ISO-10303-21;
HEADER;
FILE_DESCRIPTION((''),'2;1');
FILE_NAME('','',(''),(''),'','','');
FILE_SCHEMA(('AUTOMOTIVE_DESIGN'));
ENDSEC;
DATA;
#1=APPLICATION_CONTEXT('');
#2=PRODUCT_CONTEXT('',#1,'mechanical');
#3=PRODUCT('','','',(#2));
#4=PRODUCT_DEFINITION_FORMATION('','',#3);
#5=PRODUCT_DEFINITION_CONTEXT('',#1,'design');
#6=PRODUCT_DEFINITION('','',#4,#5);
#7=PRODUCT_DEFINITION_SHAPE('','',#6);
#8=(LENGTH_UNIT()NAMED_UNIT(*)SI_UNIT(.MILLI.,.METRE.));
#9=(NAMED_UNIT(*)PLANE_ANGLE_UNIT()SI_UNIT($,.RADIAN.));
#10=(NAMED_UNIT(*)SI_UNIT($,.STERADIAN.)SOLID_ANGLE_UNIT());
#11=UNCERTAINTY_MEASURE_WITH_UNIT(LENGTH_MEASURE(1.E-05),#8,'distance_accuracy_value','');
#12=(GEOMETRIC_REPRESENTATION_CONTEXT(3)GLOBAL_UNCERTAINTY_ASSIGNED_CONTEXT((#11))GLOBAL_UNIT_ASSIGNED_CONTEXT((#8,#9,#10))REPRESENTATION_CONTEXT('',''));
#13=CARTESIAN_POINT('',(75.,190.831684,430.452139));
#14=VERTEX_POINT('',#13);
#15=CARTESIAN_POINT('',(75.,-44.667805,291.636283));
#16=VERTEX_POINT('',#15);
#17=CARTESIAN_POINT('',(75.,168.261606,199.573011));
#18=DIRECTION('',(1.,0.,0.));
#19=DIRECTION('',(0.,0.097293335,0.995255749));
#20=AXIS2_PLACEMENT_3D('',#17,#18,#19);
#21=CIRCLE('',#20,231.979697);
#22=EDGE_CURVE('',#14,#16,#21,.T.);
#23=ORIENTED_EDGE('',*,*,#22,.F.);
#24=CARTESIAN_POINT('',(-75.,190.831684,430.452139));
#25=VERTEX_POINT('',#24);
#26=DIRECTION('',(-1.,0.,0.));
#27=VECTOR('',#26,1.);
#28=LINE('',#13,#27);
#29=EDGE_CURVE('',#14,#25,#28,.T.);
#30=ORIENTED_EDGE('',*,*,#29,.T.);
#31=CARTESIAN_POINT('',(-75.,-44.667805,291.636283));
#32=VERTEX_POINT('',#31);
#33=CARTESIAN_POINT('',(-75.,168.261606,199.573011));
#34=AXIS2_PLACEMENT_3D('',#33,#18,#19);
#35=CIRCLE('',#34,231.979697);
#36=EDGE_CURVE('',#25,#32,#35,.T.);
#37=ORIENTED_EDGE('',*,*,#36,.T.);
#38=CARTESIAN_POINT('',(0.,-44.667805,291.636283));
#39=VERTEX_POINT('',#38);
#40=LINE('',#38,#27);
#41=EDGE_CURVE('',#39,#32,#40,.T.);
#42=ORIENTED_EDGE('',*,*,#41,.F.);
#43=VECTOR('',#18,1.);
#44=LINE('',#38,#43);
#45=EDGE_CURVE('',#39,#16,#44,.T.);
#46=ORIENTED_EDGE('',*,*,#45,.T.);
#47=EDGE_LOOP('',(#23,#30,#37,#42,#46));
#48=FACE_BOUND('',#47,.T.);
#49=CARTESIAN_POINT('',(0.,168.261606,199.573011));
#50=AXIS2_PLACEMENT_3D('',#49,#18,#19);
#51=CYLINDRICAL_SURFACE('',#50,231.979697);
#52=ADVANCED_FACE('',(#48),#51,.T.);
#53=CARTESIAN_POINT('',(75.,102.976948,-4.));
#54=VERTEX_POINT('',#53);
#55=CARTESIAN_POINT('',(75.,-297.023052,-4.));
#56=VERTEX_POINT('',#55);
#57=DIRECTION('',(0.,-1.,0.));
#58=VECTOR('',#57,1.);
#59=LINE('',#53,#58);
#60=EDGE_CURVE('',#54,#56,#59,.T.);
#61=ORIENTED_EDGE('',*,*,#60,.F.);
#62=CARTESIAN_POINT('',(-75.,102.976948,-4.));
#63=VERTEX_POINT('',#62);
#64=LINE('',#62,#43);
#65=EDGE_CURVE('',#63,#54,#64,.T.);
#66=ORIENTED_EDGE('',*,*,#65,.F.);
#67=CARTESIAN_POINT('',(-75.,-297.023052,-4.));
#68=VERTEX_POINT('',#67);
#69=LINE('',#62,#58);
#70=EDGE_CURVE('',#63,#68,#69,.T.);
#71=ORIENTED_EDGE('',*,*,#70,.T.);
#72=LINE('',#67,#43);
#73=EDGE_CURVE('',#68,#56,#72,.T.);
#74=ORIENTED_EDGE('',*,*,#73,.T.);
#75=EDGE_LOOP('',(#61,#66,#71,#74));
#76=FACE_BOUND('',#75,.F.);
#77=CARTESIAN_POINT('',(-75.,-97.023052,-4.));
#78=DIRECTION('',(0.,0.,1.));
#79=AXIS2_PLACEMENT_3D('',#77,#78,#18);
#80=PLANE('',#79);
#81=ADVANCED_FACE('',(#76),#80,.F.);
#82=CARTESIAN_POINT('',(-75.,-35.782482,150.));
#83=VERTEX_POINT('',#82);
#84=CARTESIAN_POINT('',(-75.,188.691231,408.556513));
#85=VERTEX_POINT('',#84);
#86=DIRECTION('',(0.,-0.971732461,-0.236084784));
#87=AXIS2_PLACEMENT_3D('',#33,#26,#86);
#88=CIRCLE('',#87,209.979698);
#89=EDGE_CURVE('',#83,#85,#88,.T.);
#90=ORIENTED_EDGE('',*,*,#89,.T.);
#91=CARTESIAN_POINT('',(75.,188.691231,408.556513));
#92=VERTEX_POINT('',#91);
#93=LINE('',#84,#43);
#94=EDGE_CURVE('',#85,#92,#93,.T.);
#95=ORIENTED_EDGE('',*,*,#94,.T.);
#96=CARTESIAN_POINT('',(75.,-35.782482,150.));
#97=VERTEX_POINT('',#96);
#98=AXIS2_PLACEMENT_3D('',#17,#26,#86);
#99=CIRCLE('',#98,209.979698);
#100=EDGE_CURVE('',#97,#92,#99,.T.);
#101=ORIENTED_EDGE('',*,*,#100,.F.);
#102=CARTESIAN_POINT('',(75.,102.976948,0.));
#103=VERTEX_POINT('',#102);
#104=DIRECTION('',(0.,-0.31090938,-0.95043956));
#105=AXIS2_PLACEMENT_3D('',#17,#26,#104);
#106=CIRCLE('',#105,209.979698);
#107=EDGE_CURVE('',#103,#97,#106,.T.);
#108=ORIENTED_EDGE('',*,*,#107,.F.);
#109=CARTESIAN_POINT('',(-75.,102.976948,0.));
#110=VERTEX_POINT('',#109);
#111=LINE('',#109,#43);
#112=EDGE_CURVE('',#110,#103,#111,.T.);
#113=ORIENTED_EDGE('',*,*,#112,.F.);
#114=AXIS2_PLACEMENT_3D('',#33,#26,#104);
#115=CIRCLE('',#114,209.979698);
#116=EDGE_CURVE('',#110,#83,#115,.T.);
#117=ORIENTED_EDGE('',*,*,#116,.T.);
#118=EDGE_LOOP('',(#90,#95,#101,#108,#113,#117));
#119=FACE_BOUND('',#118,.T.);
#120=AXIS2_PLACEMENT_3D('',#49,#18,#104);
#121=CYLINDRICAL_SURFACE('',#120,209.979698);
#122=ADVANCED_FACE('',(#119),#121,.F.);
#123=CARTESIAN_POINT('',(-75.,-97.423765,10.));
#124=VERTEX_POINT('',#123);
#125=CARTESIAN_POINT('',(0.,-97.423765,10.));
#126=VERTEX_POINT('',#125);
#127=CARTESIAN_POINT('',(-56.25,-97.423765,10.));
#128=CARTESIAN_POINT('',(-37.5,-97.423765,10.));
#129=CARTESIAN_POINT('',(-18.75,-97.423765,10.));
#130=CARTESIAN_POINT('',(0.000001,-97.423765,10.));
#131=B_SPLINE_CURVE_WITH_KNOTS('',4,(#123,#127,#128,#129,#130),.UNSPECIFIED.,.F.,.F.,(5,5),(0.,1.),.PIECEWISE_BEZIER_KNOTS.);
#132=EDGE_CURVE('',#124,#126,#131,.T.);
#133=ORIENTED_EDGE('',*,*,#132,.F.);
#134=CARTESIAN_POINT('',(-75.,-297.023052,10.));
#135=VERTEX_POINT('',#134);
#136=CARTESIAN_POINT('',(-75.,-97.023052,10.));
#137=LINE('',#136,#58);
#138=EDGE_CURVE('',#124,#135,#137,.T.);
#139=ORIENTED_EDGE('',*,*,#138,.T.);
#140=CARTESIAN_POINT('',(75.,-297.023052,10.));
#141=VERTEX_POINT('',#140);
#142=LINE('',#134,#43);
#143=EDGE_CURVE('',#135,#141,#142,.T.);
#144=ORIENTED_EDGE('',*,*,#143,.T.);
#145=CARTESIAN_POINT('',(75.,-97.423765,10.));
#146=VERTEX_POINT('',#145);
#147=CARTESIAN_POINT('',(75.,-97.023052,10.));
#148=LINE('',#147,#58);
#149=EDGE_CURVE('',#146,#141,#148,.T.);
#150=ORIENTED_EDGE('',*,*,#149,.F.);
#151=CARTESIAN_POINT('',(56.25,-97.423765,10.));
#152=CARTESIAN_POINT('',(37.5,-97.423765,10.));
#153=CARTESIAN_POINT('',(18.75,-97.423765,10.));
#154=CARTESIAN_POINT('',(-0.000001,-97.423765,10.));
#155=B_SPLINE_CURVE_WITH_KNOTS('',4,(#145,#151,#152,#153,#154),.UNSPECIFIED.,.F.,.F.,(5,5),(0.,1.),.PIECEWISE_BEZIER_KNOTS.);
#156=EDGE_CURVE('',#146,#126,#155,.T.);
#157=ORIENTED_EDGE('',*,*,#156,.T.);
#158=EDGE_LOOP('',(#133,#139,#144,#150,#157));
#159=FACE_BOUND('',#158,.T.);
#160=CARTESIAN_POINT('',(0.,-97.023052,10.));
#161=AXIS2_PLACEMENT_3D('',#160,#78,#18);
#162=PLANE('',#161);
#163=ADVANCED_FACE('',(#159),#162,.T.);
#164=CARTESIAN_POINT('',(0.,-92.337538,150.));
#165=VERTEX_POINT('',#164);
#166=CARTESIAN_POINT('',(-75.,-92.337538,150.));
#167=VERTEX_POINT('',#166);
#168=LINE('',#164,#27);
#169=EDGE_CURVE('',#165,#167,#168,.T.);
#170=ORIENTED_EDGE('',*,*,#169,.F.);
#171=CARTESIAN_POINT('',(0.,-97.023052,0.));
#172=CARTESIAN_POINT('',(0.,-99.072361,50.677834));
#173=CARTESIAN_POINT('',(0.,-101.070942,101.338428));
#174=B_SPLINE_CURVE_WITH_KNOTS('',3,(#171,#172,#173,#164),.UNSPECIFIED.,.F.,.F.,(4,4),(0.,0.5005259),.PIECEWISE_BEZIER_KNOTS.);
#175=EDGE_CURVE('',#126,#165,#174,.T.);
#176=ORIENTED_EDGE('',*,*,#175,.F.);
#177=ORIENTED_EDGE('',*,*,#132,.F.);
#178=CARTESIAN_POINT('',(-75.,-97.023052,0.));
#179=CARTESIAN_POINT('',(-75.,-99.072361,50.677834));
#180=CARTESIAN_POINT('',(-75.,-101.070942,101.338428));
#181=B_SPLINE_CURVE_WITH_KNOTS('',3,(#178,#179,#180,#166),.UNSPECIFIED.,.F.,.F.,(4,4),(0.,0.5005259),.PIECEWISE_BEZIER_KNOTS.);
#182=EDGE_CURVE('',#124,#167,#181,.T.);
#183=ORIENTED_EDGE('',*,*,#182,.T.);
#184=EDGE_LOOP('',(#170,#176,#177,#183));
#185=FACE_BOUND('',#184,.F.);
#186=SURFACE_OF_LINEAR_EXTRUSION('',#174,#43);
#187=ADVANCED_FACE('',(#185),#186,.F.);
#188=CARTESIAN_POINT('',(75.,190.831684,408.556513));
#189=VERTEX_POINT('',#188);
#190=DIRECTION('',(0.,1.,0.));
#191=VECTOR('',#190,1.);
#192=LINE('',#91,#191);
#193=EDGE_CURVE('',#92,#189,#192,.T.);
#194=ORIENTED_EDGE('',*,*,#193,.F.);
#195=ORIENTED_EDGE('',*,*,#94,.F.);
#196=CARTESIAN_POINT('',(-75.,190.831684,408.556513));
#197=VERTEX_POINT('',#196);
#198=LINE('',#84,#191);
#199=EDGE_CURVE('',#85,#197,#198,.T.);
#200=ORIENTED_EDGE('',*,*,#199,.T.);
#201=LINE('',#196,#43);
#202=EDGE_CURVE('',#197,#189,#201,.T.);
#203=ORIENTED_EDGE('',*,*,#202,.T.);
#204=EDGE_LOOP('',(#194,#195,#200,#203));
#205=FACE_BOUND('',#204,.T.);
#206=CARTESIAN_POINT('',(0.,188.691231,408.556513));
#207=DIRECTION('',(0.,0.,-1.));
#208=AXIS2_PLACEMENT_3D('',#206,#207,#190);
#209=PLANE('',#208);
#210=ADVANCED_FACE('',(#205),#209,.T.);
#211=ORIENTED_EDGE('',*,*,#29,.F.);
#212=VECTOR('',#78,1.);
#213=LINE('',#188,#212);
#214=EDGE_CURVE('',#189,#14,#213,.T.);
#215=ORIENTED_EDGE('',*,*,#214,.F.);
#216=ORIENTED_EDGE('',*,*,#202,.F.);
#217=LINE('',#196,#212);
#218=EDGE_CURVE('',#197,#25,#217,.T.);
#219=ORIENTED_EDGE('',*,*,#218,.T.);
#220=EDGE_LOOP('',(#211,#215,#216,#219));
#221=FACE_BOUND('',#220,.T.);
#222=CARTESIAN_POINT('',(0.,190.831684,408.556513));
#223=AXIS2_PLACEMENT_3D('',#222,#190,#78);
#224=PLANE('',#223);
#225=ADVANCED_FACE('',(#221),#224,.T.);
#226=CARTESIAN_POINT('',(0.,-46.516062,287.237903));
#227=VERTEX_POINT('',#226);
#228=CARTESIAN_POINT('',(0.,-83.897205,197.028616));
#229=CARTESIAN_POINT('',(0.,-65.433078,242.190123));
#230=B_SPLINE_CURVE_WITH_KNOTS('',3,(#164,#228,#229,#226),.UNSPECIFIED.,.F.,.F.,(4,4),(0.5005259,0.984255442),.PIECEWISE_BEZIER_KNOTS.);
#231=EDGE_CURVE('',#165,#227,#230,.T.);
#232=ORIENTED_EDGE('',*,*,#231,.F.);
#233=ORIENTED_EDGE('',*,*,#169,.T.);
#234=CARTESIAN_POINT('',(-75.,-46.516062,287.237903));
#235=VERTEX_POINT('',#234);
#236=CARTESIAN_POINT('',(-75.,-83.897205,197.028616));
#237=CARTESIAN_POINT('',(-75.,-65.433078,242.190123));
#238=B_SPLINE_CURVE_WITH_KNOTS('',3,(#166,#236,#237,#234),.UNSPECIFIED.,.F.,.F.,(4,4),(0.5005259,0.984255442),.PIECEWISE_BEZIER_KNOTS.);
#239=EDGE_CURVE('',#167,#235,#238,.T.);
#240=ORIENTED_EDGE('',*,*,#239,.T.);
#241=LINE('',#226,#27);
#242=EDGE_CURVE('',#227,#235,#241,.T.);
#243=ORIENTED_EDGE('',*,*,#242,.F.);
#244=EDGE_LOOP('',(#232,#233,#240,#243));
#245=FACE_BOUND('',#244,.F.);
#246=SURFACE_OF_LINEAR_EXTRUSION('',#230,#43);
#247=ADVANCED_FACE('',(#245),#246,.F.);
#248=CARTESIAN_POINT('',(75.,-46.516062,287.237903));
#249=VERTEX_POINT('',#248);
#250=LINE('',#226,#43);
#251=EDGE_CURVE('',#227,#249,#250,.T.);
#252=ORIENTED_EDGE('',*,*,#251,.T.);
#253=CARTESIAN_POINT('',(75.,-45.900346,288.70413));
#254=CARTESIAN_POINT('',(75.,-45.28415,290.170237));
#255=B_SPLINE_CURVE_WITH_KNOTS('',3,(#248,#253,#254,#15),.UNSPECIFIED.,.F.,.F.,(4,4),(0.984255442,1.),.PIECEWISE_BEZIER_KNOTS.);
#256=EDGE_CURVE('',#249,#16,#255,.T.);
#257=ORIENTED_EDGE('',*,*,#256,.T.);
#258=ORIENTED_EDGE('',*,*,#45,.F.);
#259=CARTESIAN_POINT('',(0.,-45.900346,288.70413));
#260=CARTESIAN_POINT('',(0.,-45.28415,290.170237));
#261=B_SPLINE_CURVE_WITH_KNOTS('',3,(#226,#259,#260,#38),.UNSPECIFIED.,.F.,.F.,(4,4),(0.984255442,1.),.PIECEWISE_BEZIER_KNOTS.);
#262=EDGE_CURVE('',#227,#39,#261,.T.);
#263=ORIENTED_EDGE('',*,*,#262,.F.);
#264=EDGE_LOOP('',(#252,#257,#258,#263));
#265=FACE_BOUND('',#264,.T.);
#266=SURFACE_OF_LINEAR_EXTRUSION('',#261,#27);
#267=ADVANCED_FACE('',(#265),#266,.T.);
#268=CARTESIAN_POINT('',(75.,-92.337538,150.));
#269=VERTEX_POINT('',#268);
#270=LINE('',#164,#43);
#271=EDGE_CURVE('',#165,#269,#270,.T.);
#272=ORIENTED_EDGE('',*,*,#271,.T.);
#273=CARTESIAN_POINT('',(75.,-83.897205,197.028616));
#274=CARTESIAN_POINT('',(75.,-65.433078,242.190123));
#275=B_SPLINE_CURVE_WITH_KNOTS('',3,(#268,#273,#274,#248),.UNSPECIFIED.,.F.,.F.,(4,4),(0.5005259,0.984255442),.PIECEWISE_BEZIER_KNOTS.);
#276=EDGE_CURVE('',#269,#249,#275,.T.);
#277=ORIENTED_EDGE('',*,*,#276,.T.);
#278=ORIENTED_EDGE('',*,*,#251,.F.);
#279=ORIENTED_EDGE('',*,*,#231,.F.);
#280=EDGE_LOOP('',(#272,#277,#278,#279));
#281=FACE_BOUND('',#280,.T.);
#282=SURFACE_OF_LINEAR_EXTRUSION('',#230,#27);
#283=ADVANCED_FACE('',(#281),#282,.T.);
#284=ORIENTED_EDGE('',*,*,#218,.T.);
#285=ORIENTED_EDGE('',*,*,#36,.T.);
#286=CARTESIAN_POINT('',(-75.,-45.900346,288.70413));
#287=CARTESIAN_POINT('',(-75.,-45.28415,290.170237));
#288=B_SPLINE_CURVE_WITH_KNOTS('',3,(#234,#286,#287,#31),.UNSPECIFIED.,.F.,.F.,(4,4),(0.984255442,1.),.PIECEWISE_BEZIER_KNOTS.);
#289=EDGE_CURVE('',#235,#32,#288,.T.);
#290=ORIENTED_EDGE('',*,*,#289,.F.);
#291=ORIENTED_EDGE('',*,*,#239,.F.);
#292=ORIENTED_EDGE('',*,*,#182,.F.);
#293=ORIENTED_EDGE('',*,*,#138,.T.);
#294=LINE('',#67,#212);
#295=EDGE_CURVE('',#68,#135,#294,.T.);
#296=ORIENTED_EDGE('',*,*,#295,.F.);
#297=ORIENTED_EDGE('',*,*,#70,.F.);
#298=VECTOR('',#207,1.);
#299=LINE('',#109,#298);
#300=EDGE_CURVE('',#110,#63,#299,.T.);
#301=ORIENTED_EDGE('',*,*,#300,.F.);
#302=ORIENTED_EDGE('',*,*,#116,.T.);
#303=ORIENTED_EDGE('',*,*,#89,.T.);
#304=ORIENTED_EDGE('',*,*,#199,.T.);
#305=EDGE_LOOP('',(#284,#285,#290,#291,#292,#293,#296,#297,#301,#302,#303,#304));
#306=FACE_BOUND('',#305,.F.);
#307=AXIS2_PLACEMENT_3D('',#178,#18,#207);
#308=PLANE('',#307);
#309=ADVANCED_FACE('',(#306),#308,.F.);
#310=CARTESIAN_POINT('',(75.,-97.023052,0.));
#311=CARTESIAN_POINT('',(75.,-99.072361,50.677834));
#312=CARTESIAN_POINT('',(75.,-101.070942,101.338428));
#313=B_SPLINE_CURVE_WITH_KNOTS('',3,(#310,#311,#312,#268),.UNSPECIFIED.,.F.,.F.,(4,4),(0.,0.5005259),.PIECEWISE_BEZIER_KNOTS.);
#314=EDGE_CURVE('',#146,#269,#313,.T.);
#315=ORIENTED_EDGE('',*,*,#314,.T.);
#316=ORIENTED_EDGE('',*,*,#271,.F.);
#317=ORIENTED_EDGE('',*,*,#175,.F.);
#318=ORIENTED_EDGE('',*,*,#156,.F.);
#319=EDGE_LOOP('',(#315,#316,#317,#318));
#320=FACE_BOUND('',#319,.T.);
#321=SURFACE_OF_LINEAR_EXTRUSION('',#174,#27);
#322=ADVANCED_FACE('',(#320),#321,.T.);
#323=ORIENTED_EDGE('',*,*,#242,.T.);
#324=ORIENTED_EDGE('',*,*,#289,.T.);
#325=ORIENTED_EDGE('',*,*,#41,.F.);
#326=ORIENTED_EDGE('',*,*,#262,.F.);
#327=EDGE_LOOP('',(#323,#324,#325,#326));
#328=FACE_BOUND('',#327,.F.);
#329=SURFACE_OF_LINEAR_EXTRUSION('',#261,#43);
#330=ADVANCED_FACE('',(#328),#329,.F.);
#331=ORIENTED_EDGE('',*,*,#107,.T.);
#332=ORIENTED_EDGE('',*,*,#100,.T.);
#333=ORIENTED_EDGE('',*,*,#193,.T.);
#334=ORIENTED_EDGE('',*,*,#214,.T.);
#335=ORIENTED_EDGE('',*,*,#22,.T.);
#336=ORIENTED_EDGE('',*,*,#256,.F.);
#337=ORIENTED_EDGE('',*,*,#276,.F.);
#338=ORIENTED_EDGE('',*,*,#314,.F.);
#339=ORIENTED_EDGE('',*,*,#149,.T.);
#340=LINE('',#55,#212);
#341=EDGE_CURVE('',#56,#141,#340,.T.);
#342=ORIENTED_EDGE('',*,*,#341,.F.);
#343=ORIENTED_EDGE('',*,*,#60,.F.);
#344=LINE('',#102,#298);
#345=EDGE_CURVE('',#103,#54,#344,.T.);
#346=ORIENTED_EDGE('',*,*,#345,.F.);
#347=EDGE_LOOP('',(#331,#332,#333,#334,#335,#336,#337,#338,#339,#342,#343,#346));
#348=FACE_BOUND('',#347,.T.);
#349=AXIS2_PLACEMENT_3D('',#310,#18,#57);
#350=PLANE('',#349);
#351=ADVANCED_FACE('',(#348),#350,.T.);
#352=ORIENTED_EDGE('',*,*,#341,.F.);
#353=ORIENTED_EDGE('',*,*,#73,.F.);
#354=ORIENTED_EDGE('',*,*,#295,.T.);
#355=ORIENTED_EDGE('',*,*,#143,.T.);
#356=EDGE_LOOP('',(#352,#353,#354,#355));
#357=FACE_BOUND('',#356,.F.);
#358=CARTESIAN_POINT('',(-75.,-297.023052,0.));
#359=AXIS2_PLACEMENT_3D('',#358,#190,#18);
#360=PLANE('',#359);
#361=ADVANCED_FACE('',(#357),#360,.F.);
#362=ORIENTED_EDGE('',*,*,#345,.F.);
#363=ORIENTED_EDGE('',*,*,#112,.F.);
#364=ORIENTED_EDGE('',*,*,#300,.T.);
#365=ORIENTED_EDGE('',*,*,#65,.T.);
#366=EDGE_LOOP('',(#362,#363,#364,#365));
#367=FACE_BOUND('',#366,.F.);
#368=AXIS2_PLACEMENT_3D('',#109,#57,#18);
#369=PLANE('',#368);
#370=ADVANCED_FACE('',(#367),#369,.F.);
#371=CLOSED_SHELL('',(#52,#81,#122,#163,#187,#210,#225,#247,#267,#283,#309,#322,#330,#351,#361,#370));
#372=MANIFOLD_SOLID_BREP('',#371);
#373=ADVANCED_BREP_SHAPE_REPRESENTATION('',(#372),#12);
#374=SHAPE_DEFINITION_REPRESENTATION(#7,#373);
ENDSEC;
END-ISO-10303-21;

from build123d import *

# Parameters (mm, degrees)
F1_DEPTH = 75
F2_DEPTH = 4
F3_DEPTH = 200
F4_DEPTH = 10


with BuildPart() as f1:
    # F0 (on Right) → F1 (new body, symmetric)
    with BuildSketch(Plane.YZ):
        with BuildLine():
            Line((-92.3375381151, 150), (-58.3594357527, 150))
            ThreePointArc((-58.3594357527, 150), (-62.8590677445, 219.5182916975), (-46.5160623858, 287.2379029225))
            add(Edge.make_bspline(
                [(-92.3375381151, 150), (-83.8972050592, 197.0286155209), (-65.4330781641, 242.1901230497), (-46.5160623858, 287.2379029225)],
                knots=[0.5005259003, 0.5005259003, 0.5005259003, 0.5005259003, 0.9842554423, 0.9842554423, 0.9842554423, 0.9842554423], degree=3))
        make_face()
        with BuildLine():
            Line((-97.0230517394, 0), (50.0025975795, 0))
            ThreePointArc((50.0025975795, 0), (-19.782437401, 63.7274456487), (-58.3594357527, 150))
            Line((-58.3594357527, 150), (-92.3375381151, 150))
            add(Edge.make_bspline(
                [(-97.0230517394, 0), (-99.0723612734, 50.6778343669), (-101.0709416697, 101.3384276147), (-92.3375381151, 150)],
                knots=[0, 0, 0, 0, 0.5005259003, 0.5005259003, 0.5005259003, 0.5005259003], degree=3))
        make_face()
        with BuildLine():
            Line((-58.3594357527, 150), (-35.7824824753, 150))
            ThreePointArc((-35.7824824753, 150), (9.701095737, 337.2321487603), (188.6912309552, 408.5565128374))
            Line((188.6912309552, 408.5565128374), (190.8316842979, 408.5565128374))
            Line((190.8316842979, 408.5565128374), (190.8316842979, 430.4521389342))
            ThreePointArc((190.8316842979, 430.4521389342), (50.4625001931, 399.417827924), (-44.6678048686, 291.636283284))
            add(Edge.make_bspline(
                [(-46.5160623858, 287.2379029225), (-45.9003463268, 288.7041300386), (-45.284150482, 290.1702366729), (-44.6678048686, 291.636283284)],
                knots=[0.9842554423, 0.9842554423, 0.9842554423, 0.9842554423, 1, 1, 1, 1], degree=3))
            ThreePointArc((-46.5160623858, 287.2379029225), (-62.8590677445, 219.5182916975), (-58.3594357527, 150))
        make_face()
        with BuildLine():
            Line((50.0025975795, 0), (102.9769482606, 0))
            ThreePointArc((102.9769482606, 0), (14.1204583697, 56.9827590308), (-35.7824824753, 150))
            Line((-35.7824824753, 150), (-58.3594357527, 150))
            ThreePointArc((-58.3594357527, 150), (-19.782437401, 63.7274456487), (50.0025975795, 0))
        make_face()
    extrude(amount=F1_DEPTH, both=True)

    # F2 (add): a face of the model
    f2_faces = [f1.faces().sort_by_distance(p)[0] for p in [
        (0, 2.9769482606, 0),
    ]]
    extrude(f2_faces, amount=F2_DEPTH)

    # F3 (add): a face of the model
    f3_faces = [f1.faces().sort_by_distance(p)[0] for p in [
        (0, -97.0230517394, -2),
    ]]
    extrude(f3_faces, amount=F3_DEPTH)

    # F4 (add): a face of the model
    f4_faces = [f1.faces().sort_by_distance(p)[0] for p in [
        (0, -197.0230517394, 0),
    ]]
    extrude(f4_faces, amount=F4_DEPTH)


solid = f1.part
